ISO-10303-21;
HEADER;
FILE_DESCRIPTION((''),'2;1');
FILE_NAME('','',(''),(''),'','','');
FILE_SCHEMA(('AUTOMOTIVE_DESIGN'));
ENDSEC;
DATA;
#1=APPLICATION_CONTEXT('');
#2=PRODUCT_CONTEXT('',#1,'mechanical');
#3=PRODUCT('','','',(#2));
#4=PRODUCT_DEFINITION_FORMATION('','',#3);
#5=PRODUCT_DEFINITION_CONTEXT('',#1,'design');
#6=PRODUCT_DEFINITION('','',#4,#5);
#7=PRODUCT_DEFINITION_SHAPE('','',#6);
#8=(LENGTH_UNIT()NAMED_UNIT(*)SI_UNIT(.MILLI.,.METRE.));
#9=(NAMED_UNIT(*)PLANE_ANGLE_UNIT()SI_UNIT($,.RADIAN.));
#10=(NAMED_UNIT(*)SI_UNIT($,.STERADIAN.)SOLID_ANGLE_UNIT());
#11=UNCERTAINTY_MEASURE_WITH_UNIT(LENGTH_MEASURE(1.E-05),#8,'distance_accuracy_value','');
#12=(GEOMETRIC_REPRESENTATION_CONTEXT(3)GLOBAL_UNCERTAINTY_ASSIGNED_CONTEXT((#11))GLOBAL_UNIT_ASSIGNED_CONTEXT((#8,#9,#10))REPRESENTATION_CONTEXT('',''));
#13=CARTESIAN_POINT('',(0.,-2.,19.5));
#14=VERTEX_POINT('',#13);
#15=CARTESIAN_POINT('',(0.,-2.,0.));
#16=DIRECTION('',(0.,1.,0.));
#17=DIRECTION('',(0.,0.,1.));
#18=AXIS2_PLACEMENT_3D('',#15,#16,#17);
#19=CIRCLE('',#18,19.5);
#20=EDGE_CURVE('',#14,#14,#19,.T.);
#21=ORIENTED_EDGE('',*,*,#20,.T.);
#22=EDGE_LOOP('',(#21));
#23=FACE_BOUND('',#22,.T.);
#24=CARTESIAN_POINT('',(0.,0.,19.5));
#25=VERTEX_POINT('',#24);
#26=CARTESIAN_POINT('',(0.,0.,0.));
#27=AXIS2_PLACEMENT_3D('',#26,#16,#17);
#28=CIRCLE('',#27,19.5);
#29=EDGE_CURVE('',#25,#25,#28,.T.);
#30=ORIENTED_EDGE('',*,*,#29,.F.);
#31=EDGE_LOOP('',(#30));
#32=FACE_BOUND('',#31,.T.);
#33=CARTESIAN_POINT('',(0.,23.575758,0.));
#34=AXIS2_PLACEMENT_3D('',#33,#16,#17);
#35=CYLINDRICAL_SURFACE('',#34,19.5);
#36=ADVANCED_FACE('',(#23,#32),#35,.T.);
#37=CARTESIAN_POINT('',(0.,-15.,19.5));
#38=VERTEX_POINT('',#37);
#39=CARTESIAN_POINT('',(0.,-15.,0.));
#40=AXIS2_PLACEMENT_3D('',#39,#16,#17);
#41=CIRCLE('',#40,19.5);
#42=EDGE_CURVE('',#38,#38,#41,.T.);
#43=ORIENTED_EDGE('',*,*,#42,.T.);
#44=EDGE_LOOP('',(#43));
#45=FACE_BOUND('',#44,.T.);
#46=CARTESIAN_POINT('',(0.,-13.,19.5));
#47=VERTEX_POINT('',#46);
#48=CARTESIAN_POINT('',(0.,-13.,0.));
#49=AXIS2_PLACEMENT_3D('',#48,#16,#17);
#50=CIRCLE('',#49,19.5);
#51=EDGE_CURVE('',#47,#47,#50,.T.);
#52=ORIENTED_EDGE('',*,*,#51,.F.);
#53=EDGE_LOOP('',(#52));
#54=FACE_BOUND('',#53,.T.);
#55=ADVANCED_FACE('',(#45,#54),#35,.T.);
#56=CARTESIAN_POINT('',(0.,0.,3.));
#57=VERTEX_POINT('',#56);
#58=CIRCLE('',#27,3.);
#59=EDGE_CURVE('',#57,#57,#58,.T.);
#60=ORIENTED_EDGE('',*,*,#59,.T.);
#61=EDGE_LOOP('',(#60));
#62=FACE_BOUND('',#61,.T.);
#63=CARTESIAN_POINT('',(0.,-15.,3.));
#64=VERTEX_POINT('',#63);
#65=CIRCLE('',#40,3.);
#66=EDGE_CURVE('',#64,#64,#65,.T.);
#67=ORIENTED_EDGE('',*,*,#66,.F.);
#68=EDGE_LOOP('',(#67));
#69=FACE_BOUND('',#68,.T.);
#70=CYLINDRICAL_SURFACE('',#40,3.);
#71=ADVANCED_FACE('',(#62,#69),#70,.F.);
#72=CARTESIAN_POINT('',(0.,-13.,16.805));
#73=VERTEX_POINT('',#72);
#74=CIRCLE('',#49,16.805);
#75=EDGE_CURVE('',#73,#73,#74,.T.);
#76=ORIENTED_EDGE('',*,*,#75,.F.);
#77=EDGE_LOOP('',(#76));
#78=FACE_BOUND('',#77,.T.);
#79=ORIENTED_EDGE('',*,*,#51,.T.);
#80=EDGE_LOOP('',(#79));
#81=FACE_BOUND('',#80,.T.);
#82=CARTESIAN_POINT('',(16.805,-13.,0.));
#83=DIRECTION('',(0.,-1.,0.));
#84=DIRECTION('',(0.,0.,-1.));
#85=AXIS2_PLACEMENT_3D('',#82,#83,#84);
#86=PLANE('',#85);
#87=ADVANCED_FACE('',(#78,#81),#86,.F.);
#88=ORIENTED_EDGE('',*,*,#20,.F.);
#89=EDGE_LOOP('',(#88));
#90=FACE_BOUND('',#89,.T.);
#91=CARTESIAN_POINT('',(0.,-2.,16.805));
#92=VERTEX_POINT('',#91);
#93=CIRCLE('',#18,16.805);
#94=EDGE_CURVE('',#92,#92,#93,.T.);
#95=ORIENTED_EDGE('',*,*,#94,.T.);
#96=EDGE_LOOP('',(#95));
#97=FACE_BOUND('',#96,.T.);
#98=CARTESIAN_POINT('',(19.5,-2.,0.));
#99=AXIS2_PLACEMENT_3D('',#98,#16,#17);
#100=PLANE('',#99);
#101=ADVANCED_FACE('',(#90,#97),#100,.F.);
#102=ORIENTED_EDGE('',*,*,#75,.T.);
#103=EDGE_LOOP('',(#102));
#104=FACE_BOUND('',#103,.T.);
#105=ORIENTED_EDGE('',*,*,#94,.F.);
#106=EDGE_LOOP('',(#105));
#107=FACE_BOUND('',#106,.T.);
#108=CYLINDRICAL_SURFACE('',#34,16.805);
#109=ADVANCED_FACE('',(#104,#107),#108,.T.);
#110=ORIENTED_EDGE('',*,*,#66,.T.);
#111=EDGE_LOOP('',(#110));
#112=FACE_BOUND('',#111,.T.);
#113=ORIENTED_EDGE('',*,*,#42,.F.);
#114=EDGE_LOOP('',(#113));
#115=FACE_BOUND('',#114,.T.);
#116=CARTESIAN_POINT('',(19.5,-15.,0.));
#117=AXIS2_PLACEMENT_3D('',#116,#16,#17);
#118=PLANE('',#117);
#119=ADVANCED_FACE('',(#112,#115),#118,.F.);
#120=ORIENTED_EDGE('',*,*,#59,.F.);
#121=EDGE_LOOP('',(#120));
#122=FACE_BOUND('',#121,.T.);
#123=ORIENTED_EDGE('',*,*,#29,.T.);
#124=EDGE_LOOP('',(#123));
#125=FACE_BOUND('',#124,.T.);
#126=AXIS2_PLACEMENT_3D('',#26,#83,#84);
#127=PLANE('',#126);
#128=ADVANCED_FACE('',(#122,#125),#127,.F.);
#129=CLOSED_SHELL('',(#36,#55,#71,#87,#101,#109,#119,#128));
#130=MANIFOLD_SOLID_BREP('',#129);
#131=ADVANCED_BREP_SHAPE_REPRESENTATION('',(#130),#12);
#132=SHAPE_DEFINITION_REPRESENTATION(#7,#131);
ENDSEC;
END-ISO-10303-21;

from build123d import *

# Parameters (mm, degrees)
SKETCH_2_R          = 3
CUT_EXTRUDE_1_DEPTH = 32.392674305


with BuildPart() as part:
    # 草图1 → 旋转1 (revolve)
    with BuildSketch(Plane.XY, mode=Mode.PRIVATE) as revolve_1_sk:
        Polygon((0, 0), (19.5, 0), (19.5, -2), (16.805, -2), (16.805, -13), (19.5, -13), (19.5, -15), (0, -15), align=None)
    revolve(revolve_1_sk.sketch.rotate(Axis((0, 23.575757576, 0), (0, -1, 0)), 90), axis=Axis((0, 23.575757576, 0), (0, -1, 0)))

    # 草图2 → 切除-拉伸1 (cut, through all)
    with BuildSketch(Plane(origin=(0, 0, 0), x_dir=(1, 0, 0), z_dir=(0, 1, 0))):
        with Locations(Location((0, 0, 0), (0, 0, 270))):
            Circle(SKETCH_2_R)
    extrude(amount=-CUT_EXTRUDE_1_DEPTH, mode=Mode.SUBTRACT)


solid = part.part
